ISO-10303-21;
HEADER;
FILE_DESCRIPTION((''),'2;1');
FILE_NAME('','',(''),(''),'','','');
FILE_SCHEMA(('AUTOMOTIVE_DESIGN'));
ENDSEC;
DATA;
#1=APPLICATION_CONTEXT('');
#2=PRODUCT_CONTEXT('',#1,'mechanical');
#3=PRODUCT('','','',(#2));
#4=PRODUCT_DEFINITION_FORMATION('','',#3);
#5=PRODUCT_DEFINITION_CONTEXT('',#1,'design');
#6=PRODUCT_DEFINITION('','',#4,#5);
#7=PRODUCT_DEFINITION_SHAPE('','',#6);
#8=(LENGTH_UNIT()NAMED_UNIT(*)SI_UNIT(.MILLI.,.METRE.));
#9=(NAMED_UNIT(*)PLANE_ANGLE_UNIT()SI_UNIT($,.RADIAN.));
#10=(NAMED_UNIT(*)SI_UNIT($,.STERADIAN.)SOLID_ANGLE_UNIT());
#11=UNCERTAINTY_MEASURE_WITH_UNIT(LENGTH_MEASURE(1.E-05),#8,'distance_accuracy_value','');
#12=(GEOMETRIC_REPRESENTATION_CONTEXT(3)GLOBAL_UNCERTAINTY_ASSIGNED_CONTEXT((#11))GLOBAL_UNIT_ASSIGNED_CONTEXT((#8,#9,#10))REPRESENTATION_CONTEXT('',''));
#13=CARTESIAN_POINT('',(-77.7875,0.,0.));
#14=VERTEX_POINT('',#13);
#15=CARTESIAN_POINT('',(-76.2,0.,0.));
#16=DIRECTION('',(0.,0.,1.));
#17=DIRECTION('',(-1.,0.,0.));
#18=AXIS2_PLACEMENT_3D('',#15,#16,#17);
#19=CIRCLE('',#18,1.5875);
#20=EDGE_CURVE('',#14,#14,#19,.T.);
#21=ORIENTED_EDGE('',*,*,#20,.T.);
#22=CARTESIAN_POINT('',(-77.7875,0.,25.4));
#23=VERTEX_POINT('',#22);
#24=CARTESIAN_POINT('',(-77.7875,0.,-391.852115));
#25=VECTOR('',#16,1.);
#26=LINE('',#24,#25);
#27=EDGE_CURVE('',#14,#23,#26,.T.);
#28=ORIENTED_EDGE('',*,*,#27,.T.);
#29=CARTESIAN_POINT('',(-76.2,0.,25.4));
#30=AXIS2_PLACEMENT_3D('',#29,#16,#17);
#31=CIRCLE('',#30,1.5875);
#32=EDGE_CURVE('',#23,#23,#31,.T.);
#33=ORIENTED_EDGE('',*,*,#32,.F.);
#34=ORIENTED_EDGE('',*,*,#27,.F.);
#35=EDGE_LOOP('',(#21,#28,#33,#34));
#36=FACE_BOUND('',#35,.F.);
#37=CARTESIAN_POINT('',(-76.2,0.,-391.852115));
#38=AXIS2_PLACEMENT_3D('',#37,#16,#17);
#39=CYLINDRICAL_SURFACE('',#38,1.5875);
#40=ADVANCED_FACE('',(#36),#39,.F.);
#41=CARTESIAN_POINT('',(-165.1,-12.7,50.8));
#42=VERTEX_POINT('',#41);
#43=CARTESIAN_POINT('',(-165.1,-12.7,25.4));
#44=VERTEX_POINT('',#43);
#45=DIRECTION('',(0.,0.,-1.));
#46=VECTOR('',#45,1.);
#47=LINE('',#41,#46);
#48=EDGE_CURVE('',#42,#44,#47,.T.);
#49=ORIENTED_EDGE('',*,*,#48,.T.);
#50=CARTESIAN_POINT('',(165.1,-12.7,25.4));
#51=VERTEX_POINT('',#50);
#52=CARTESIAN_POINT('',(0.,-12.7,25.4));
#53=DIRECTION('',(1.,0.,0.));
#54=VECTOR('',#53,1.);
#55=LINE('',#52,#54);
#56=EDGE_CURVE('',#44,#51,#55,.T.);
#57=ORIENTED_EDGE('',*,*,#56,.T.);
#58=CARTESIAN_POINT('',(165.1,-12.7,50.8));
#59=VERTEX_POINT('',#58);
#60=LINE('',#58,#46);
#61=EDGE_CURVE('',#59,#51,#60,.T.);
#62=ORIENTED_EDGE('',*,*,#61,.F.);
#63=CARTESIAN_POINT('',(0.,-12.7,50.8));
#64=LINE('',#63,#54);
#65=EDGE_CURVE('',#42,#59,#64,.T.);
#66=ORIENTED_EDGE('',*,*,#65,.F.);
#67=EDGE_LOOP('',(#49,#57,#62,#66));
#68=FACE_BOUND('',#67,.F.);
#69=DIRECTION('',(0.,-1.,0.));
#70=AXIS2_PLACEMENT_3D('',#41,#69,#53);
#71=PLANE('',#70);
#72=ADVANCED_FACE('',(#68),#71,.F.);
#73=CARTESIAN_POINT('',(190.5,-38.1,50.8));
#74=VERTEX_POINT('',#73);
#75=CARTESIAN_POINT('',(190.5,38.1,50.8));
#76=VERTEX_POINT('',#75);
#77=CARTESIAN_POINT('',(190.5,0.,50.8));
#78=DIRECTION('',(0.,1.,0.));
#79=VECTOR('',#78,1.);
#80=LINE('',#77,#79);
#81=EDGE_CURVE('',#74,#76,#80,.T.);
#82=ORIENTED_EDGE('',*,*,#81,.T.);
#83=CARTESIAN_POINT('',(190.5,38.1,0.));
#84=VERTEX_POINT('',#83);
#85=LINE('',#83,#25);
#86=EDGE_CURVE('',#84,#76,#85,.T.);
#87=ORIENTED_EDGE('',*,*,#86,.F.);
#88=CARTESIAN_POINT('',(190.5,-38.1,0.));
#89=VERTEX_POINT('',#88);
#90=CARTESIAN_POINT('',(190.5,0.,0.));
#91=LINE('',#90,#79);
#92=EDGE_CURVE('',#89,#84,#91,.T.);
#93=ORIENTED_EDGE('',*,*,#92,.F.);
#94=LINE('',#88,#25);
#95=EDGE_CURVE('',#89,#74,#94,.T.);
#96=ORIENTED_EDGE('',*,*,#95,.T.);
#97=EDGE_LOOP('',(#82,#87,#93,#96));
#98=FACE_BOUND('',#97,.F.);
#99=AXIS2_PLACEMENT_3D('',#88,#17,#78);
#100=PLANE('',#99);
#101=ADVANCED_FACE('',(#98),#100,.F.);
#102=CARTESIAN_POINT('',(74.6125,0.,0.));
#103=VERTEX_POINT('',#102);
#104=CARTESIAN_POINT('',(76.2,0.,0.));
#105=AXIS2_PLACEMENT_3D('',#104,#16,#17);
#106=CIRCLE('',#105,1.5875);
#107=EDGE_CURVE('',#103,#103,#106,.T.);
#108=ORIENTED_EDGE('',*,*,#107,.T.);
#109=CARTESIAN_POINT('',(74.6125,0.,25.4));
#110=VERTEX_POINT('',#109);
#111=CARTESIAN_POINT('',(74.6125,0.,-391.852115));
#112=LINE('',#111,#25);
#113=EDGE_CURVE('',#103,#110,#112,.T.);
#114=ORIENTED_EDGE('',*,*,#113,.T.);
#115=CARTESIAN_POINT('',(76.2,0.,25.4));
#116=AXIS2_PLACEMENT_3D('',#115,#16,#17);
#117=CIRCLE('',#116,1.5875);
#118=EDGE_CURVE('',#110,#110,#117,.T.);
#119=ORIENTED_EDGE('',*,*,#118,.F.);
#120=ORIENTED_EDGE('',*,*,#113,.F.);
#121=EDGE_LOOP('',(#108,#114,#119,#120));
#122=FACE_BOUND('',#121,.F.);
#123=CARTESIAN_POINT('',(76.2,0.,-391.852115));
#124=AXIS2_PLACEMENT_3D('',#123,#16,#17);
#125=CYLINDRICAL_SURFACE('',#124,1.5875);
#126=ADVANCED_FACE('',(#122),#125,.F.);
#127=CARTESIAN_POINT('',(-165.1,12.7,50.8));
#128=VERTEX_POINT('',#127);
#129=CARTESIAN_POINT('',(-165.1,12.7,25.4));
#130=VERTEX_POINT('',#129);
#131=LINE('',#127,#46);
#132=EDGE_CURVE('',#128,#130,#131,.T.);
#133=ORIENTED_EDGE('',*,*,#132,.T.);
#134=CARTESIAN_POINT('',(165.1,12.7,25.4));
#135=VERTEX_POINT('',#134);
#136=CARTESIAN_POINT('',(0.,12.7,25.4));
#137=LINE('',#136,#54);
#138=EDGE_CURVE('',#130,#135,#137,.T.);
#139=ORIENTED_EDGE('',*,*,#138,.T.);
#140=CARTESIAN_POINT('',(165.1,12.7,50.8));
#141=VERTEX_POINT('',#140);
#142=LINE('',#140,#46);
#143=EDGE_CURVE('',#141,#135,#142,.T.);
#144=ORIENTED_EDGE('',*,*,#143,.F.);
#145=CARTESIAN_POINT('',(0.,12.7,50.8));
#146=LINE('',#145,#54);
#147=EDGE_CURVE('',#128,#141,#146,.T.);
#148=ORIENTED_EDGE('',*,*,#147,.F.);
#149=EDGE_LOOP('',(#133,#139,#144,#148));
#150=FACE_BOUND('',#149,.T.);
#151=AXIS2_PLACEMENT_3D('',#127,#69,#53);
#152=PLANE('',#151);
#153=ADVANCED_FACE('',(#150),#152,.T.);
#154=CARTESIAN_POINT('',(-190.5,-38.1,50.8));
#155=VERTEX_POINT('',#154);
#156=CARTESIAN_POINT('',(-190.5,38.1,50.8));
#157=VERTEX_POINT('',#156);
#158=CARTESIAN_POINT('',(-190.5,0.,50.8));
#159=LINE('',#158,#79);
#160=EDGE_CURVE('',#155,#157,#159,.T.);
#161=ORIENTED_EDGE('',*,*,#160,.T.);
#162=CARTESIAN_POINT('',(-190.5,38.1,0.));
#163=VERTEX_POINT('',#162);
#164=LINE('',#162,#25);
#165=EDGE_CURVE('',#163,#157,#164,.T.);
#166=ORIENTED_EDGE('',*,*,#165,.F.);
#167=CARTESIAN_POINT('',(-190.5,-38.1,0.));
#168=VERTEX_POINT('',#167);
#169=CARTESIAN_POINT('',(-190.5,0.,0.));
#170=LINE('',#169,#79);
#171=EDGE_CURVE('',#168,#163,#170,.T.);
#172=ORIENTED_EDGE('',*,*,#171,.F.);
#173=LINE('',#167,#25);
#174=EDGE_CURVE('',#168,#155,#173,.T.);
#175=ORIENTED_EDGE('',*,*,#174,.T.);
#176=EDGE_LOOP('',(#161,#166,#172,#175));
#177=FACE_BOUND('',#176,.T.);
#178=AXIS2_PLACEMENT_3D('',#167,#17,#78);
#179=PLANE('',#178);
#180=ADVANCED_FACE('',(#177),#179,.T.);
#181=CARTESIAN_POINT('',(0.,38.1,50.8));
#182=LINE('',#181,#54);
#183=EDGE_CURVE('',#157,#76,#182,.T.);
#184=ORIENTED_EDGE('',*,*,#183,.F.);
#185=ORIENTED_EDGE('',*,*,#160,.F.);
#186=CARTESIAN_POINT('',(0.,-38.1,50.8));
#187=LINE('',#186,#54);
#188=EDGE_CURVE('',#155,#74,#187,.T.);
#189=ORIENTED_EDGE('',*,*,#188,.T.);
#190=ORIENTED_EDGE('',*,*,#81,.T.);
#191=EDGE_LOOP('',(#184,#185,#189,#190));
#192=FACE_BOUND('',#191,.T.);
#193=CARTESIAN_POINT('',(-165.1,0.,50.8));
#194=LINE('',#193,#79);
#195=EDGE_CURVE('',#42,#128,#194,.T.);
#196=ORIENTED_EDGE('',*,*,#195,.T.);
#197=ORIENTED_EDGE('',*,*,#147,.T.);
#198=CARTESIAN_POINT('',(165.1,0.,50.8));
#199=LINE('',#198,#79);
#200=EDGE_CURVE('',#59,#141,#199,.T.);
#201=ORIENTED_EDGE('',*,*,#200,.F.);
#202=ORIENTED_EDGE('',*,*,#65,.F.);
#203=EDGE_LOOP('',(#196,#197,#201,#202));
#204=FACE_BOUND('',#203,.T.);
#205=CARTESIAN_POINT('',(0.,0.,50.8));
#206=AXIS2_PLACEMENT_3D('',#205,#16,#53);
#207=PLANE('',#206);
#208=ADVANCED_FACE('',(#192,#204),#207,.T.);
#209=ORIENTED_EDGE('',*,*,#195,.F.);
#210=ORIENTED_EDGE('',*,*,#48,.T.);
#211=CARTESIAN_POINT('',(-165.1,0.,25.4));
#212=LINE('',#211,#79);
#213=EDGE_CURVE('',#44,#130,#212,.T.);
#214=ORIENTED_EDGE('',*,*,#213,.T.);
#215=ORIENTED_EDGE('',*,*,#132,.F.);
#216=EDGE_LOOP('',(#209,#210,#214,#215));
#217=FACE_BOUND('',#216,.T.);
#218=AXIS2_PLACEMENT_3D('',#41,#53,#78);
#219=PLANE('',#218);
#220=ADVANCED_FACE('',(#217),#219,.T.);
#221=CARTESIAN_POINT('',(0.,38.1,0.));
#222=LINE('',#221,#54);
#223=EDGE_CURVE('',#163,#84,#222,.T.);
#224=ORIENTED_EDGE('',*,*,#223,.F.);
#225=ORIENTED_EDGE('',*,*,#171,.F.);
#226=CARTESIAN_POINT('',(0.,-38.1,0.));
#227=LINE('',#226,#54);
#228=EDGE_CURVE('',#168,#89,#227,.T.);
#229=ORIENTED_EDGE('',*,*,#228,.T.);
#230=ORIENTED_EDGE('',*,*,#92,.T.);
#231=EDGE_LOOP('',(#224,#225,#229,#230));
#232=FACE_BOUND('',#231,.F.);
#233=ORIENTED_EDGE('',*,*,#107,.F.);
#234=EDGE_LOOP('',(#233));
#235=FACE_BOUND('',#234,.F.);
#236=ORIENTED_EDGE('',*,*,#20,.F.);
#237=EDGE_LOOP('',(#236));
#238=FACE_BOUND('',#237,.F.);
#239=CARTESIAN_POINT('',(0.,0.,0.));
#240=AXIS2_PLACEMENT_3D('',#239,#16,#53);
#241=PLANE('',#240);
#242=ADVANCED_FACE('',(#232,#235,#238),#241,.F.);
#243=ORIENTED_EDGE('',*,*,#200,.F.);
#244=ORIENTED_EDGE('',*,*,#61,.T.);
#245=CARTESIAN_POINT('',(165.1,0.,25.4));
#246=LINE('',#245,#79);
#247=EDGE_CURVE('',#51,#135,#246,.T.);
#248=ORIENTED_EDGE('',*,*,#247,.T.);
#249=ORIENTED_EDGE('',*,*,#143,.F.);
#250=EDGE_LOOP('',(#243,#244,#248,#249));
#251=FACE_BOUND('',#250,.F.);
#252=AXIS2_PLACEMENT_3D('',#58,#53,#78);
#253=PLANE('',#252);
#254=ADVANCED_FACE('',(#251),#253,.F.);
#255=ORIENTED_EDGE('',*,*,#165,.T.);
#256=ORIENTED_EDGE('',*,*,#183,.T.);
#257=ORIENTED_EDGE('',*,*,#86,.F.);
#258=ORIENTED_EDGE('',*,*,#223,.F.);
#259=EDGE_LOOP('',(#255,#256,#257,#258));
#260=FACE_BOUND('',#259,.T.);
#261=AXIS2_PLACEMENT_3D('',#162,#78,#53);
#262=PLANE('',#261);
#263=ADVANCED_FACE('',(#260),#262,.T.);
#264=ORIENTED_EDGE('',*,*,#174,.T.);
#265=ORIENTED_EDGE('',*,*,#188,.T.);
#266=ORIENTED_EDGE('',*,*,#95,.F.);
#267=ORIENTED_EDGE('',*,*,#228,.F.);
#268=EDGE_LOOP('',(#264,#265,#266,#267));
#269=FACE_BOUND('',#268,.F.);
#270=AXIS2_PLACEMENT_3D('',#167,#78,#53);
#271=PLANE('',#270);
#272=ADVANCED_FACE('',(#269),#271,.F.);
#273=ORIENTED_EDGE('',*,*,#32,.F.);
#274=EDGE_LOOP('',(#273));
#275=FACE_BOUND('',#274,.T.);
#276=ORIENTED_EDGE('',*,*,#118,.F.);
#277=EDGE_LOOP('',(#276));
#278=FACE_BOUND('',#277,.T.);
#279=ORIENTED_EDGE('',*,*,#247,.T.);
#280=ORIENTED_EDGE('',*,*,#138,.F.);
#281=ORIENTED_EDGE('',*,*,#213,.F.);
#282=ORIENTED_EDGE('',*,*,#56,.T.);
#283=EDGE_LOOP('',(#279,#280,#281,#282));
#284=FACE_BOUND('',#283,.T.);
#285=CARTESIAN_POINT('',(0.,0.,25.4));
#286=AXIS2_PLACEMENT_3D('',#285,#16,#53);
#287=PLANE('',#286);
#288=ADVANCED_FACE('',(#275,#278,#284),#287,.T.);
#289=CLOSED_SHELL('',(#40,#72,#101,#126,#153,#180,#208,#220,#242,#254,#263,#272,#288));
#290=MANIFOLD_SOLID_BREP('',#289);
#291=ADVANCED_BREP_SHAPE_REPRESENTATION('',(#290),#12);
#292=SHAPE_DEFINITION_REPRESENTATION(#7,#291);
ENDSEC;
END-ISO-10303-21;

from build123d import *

# Parameters (mm, degrees)
F0_W     = 381
F0_H     = 76.2
F1_DEPTH = 50.8
F2_W     = 330.2
F2_H     = 25.4
F3_DEPTH = 25.4
F5_D     = 3.175


with BuildPart() as f1:
    # F0 (on Top) → F1 (new body)
    with BuildSketch(Plane.XY):
        Rectangle(F0_W, F0_H)
    extrude(amount=F1_DEPTH)

    # F2 (on face) → F3 (cut)
    with BuildSketch(Plane.XY.offset(50.8)):
        Rectangle(F2_W, F2_H)
    extrude(amount=-F3_DEPTH, mode=Mode.SUBTRACT)

    # F5 (through all)
    with Locations(Plane(origin=(0, 0, 0), x_dir=(1, 0, 0), z_dir=(0, 0, -1))):
        with Locations((-76.2, 0), (76.2, 0)):
            Hole(F5_D / 2)


solid = f1.part
